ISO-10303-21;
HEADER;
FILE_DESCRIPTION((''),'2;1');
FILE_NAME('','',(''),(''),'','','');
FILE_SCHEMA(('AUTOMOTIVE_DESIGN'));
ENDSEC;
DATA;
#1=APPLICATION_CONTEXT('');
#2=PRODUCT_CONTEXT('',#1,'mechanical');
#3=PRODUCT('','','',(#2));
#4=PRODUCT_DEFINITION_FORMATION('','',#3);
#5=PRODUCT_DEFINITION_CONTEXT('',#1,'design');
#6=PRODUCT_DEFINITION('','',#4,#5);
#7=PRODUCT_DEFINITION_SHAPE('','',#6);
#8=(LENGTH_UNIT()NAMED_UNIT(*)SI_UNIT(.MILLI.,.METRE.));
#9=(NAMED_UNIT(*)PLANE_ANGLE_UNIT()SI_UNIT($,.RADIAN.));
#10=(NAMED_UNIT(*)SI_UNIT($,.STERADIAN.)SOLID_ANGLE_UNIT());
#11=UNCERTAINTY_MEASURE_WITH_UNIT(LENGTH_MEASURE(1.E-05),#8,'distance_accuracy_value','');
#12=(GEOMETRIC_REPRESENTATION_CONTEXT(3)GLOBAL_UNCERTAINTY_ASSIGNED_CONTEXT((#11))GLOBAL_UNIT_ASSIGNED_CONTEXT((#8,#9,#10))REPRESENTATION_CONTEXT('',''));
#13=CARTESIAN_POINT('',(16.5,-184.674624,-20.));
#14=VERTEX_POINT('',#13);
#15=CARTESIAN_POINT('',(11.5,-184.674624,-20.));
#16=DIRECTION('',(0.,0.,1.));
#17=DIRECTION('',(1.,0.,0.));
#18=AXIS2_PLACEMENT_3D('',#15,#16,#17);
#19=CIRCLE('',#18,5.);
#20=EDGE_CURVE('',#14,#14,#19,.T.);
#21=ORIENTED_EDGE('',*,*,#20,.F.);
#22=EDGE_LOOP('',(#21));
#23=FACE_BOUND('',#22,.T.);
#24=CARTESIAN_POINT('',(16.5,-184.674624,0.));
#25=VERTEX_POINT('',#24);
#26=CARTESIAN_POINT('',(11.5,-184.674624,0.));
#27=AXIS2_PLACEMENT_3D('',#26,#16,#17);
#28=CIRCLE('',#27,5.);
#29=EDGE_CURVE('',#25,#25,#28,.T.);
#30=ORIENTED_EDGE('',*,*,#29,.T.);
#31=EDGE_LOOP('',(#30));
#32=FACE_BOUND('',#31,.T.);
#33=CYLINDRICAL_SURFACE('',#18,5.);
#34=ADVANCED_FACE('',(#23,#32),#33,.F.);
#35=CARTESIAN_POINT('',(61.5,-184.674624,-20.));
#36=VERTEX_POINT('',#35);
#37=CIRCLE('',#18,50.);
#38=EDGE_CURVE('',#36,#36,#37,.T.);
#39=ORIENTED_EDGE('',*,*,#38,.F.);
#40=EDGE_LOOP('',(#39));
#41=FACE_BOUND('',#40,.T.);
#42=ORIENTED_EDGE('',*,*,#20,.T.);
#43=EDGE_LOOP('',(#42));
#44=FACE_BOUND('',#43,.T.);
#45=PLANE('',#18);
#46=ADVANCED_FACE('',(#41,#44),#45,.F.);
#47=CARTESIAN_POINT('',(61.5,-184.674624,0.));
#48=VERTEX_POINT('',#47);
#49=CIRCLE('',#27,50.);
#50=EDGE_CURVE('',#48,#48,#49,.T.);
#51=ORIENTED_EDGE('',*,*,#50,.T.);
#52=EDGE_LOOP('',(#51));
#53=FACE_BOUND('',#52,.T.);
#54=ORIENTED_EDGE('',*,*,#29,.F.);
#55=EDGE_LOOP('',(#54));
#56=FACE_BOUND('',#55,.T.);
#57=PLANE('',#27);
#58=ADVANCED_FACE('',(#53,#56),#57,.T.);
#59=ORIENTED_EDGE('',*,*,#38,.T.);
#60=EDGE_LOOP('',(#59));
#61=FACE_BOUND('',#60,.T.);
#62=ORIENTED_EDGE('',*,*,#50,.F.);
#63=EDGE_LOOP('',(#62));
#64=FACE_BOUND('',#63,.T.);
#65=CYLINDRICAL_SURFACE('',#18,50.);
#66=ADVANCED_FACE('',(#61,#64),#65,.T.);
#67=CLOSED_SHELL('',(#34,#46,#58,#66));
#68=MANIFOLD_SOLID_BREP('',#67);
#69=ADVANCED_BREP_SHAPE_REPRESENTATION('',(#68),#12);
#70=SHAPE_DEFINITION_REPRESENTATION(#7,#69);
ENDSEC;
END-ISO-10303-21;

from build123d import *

# Parameters (mm, degrees)
SKETCH1_R           = 50
SKETCH1_R_2         = 5
BOSS_EXTRUDE1_DEPTH = 20


with BuildPart() as part:
    # Sketch1 → Boss-Extrude1 (new body)
    with BuildSketch(Plane.XY):
        with Locations((11.5, -184.674624292)):
            Circle(SKETCH1_R)
        with Locations((11.5, -184.674624292)):
            Circle(SKETCH1_R_2, mode=Mode.SUBTRACT)
    extrude(amount=-BOSS_EXTRUDE1_DEPTH)


solid = part.part
